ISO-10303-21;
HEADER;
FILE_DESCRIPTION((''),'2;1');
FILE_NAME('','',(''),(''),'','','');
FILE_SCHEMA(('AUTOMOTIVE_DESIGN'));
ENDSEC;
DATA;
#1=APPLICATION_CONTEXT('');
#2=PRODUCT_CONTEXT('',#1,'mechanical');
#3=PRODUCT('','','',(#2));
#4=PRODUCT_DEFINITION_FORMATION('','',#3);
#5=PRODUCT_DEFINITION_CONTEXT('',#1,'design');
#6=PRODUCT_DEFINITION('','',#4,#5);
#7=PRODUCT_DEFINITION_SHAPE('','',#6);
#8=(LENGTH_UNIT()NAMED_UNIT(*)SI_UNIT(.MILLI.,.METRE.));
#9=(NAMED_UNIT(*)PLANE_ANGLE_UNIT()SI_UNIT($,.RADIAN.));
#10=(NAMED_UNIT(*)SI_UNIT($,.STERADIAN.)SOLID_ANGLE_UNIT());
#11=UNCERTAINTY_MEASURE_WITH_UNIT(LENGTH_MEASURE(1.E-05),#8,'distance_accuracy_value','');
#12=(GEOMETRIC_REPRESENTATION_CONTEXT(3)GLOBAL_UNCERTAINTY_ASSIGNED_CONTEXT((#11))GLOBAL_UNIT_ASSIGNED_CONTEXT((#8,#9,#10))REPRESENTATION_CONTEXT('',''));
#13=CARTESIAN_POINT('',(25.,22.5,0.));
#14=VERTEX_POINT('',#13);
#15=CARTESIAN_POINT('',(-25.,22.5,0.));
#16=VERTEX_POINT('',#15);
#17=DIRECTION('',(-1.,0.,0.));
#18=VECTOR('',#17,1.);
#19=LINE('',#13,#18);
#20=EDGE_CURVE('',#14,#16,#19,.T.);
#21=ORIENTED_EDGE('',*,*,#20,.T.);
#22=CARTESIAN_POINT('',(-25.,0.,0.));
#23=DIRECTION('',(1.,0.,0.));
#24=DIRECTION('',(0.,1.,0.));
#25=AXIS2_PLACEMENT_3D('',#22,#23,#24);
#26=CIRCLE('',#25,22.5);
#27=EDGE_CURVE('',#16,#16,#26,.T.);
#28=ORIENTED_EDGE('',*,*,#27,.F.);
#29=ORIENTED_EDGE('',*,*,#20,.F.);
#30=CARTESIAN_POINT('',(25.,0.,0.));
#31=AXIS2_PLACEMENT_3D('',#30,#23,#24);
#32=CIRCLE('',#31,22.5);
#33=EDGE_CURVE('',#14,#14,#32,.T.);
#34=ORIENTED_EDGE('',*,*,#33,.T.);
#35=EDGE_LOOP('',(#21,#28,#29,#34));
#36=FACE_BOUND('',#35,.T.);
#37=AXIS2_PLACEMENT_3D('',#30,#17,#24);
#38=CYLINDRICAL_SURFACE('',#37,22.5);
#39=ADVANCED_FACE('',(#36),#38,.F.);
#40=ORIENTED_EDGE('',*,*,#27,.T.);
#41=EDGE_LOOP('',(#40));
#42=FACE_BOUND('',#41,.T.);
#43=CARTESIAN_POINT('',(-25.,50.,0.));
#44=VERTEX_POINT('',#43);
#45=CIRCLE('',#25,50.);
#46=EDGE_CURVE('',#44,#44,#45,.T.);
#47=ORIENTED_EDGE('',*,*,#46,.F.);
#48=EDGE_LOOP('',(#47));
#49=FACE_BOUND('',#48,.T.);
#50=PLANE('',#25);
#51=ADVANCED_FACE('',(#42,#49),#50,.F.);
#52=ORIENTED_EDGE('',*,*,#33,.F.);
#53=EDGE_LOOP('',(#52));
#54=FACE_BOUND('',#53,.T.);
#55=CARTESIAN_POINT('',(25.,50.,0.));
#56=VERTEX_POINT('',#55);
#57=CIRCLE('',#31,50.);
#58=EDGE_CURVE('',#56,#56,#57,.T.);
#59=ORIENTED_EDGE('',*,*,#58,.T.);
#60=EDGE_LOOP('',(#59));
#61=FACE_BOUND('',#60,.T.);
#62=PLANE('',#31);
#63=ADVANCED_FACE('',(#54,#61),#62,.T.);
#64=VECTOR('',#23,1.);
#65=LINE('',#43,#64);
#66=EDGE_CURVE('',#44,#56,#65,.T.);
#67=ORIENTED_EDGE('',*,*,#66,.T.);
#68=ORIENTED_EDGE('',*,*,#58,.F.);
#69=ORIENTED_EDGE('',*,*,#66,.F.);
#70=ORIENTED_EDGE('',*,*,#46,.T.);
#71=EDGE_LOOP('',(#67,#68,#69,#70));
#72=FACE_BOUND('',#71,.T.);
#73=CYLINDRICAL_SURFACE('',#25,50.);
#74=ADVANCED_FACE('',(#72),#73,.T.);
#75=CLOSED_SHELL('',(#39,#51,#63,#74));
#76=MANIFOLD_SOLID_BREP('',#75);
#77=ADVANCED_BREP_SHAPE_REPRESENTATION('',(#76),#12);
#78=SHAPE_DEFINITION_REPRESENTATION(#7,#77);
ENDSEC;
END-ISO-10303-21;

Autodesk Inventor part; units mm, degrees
ref_plane "YZ Plane" through (0, 0, 0) normal (1, 0, 0) x (0, 1, 0)
ref_plane "XZ Plane" through (0, 0, 0) normal (0, 1, 0) x (-1, 0, 0)
ref_plane "XY Plane" through (0, 0, 0) normal (0, 0, 1) x (1, 0, 0)
sketch "Sketch1" plane through (0, 0, 0) normal (0, 0, 1) x (1, 0, 0)
  line L0 (-25, 50) -> (25, 50)
  line L1 (25, 50) -> (25, 22.5)
  line L2 (25, 22.5) -> (-25, 22.5)
  line L3 (-25, 22.5) -> (-25, 50)
  line L4 (-84.433, 0) -> (84.433, 0) construction
  point P0 (0, 0)
  point P1 (0, 0)
  point P2 (0, 22.5)
  dimension "d0" = 22.5
  dimension "d2" = 50
  dimension "d3" = 50
revolve "Revolution1" add sketch "Sketch1" angle 360 about axis through (-84.433, 0, 0) along (1, 0, 0)
properties part number "50mm_roller"
